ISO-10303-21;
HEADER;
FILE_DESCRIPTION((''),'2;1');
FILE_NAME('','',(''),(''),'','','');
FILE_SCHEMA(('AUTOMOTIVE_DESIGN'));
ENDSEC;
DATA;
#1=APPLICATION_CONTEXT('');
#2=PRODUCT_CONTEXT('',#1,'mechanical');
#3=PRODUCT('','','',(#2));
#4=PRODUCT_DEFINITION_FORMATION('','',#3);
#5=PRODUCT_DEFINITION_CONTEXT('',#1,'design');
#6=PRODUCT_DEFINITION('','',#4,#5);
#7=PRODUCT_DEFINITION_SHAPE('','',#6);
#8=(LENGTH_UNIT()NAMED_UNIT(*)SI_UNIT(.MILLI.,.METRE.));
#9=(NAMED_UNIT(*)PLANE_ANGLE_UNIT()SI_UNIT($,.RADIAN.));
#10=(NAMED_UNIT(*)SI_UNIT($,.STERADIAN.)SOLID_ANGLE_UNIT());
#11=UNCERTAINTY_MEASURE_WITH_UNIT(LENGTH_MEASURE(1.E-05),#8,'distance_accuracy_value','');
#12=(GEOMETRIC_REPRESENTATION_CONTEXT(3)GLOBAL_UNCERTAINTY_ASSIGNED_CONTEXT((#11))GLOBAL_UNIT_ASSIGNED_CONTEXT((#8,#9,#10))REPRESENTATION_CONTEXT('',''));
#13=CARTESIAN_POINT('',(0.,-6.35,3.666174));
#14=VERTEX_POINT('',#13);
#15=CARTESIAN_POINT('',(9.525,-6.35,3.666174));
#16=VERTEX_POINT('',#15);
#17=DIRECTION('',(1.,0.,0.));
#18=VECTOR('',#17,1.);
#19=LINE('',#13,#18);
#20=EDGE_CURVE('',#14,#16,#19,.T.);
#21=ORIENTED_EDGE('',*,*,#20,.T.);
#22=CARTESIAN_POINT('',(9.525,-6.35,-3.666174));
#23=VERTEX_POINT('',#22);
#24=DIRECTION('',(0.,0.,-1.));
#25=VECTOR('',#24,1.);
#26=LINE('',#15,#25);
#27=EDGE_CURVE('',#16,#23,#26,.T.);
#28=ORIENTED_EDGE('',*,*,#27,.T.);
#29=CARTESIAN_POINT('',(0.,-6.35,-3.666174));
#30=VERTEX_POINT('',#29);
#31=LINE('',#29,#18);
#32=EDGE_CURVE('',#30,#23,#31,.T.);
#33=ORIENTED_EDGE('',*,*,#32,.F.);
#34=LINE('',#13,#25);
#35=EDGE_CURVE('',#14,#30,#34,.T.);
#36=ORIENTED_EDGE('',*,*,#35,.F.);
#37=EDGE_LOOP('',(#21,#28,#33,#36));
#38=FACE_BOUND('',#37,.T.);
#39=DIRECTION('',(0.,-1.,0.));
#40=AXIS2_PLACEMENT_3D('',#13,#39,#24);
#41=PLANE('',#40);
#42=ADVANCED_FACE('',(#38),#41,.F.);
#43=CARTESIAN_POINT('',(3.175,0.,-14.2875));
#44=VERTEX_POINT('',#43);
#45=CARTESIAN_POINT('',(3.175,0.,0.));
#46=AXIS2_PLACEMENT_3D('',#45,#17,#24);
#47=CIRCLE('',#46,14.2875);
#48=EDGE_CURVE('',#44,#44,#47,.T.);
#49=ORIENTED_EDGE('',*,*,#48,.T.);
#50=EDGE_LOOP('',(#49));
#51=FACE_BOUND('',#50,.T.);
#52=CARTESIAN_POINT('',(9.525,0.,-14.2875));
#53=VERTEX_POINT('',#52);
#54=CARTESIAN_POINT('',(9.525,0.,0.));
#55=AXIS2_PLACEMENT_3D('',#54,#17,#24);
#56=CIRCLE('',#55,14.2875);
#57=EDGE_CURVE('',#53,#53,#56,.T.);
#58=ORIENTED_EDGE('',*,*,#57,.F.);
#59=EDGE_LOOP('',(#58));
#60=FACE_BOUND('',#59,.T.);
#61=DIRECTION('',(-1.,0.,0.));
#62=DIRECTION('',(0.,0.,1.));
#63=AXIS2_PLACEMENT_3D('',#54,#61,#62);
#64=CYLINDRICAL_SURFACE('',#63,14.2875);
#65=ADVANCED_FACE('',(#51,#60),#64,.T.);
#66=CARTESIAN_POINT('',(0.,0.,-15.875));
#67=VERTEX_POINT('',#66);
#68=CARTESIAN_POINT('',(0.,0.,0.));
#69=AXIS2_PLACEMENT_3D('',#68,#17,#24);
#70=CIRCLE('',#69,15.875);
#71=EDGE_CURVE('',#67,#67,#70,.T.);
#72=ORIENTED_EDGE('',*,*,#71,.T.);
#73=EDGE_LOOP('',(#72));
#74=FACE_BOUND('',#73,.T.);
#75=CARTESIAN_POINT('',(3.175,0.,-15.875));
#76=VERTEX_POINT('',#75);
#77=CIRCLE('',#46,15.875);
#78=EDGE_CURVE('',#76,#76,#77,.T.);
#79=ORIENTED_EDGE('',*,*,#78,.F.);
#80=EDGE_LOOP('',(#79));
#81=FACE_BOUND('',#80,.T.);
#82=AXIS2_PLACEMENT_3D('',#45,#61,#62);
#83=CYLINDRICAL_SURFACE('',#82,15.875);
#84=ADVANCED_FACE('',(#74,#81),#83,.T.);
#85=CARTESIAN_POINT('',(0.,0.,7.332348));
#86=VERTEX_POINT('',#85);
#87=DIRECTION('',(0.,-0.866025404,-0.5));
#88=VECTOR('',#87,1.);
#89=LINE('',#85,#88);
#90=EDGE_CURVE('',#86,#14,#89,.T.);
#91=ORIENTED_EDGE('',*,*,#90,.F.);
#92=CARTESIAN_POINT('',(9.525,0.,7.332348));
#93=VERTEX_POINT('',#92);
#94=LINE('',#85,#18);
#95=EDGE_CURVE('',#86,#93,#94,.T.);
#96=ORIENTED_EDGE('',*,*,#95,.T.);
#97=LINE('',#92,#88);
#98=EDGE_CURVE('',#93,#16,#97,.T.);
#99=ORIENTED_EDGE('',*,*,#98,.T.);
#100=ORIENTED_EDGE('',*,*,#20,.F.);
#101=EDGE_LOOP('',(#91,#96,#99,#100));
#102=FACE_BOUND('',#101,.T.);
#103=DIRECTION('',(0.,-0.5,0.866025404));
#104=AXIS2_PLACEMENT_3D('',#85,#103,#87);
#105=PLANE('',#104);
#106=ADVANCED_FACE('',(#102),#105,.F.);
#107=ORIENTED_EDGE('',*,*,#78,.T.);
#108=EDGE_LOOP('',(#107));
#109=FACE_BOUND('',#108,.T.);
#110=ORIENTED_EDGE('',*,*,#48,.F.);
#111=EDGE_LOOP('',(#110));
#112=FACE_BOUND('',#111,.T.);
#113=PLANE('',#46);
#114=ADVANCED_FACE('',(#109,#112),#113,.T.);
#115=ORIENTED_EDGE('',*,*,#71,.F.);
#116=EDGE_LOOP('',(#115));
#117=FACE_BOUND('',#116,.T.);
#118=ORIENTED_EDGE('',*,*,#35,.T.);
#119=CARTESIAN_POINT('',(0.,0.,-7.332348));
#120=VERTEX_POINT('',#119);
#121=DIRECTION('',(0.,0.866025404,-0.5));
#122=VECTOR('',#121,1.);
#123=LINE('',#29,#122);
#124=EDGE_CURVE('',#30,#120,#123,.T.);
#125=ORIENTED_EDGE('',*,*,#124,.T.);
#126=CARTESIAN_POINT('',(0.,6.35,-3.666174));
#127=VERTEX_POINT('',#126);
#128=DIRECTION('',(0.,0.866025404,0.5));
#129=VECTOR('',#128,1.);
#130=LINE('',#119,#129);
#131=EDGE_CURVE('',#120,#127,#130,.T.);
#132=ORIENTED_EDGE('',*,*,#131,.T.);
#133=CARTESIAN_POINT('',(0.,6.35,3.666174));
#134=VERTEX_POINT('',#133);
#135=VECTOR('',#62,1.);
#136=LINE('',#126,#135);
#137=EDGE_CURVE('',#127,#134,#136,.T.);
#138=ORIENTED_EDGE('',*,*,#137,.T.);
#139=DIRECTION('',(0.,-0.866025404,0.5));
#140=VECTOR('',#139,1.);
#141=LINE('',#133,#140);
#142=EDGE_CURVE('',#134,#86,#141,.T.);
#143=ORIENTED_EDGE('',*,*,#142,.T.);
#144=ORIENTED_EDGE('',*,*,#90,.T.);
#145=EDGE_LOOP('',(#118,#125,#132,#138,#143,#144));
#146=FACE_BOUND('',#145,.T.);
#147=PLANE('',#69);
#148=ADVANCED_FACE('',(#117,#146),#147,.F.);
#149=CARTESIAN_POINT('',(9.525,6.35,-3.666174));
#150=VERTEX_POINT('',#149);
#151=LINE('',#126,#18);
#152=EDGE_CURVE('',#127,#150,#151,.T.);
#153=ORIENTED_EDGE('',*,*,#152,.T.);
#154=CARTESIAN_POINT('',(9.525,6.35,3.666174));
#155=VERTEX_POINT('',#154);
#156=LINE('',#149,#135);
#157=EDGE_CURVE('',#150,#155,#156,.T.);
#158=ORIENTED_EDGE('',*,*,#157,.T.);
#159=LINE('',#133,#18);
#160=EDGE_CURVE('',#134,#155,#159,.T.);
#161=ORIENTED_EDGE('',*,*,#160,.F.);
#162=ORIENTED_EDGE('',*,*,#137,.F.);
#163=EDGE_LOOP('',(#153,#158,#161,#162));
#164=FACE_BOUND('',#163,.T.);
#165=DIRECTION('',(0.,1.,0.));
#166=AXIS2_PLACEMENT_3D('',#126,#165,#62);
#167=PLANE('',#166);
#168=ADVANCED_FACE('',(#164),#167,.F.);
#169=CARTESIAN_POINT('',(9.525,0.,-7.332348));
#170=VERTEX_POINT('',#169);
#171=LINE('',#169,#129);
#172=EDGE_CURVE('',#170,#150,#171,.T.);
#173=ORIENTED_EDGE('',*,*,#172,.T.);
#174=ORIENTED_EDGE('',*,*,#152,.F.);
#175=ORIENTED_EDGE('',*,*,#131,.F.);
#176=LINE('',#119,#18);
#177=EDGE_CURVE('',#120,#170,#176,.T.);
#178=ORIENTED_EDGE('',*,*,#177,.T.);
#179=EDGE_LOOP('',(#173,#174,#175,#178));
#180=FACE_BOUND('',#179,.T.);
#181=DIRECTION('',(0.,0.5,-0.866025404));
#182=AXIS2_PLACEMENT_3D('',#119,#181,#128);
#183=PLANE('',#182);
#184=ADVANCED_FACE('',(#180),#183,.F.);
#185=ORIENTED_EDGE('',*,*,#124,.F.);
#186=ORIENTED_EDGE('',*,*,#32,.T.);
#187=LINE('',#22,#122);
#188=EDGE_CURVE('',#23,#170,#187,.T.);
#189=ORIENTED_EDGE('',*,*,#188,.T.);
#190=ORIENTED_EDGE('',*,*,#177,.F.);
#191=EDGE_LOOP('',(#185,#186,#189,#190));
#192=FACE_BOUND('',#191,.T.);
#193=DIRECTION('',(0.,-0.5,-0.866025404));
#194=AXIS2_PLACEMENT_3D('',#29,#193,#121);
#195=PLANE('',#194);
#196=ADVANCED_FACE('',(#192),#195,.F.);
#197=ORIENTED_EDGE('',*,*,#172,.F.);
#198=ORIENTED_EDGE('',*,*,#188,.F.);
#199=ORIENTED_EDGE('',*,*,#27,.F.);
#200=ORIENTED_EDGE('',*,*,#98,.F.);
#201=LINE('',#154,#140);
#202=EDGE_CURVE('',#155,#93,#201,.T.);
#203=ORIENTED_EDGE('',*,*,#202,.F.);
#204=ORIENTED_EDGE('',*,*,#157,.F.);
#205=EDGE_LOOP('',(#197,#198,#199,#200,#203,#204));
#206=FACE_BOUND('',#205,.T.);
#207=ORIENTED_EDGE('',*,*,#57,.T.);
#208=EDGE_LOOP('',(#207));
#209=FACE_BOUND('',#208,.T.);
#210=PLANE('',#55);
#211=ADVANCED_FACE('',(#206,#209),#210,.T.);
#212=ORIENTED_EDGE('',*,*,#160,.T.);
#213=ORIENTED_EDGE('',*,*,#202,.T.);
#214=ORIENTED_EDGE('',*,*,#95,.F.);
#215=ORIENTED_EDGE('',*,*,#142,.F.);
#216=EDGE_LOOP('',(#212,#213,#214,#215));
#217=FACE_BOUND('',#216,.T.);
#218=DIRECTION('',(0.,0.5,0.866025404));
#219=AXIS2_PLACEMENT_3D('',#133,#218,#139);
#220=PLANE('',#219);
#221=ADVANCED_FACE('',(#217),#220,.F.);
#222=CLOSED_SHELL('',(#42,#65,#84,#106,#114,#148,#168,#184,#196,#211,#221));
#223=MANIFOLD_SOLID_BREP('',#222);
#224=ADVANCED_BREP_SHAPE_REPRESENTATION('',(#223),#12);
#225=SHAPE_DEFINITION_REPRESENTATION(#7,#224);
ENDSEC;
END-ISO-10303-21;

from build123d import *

# Parameters (mm, degrees)
SKETCH1_R           = 15.875
BOSS_EXTRUDE1_DEPTH = 3.175
SKETCH2_R           = 14.2875
BOSS_EXTRUDE2_DEPTH = 6.35
CUT_EXTRUDE1_DEPTH  = 10.525


with BuildPart() as part:
    # Sketch1 → Boss-Extrude1 (new body)
    with BuildSketch(Plane(origin=(0, 0, 0), x_dir=(0, 0, -1), z_dir=(1, 0, 0))):
        Circle(SKETCH1_R)
    extrude(amount=BOSS_EXTRUDE1_DEPTH)

    # Sketch2 → Boss-Extrude2 (add)
    with BuildSketch(Plane(origin=(3.175, 0, 0), x_dir=(0, 0, -1), z_dir=(1, 0, 0))):
        Circle(SKETCH2_R)
    extrude(amount=BOSS_EXTRUDE2_DEPTH)

    # Sketch3 → Cut-Extrude1 (cut, through all)
    with BuildSketch(Plane(origin=(9.525, 0, 0), x_dir=(0, 0, -1), z_dir=(1, 0, 0))):
        Polygon((7.332348419, 0), (3.666174209, 6.35), (-3.666174209, 6.35), (-7.332348419, 0), (-3.666174209, -6.35), (3.666174209, -6.35), align=None)
    extrude(amount=-CUT_EXTRUDE1_DEPTH, mode=Mode.SUBTRACT)


solid = part.part
